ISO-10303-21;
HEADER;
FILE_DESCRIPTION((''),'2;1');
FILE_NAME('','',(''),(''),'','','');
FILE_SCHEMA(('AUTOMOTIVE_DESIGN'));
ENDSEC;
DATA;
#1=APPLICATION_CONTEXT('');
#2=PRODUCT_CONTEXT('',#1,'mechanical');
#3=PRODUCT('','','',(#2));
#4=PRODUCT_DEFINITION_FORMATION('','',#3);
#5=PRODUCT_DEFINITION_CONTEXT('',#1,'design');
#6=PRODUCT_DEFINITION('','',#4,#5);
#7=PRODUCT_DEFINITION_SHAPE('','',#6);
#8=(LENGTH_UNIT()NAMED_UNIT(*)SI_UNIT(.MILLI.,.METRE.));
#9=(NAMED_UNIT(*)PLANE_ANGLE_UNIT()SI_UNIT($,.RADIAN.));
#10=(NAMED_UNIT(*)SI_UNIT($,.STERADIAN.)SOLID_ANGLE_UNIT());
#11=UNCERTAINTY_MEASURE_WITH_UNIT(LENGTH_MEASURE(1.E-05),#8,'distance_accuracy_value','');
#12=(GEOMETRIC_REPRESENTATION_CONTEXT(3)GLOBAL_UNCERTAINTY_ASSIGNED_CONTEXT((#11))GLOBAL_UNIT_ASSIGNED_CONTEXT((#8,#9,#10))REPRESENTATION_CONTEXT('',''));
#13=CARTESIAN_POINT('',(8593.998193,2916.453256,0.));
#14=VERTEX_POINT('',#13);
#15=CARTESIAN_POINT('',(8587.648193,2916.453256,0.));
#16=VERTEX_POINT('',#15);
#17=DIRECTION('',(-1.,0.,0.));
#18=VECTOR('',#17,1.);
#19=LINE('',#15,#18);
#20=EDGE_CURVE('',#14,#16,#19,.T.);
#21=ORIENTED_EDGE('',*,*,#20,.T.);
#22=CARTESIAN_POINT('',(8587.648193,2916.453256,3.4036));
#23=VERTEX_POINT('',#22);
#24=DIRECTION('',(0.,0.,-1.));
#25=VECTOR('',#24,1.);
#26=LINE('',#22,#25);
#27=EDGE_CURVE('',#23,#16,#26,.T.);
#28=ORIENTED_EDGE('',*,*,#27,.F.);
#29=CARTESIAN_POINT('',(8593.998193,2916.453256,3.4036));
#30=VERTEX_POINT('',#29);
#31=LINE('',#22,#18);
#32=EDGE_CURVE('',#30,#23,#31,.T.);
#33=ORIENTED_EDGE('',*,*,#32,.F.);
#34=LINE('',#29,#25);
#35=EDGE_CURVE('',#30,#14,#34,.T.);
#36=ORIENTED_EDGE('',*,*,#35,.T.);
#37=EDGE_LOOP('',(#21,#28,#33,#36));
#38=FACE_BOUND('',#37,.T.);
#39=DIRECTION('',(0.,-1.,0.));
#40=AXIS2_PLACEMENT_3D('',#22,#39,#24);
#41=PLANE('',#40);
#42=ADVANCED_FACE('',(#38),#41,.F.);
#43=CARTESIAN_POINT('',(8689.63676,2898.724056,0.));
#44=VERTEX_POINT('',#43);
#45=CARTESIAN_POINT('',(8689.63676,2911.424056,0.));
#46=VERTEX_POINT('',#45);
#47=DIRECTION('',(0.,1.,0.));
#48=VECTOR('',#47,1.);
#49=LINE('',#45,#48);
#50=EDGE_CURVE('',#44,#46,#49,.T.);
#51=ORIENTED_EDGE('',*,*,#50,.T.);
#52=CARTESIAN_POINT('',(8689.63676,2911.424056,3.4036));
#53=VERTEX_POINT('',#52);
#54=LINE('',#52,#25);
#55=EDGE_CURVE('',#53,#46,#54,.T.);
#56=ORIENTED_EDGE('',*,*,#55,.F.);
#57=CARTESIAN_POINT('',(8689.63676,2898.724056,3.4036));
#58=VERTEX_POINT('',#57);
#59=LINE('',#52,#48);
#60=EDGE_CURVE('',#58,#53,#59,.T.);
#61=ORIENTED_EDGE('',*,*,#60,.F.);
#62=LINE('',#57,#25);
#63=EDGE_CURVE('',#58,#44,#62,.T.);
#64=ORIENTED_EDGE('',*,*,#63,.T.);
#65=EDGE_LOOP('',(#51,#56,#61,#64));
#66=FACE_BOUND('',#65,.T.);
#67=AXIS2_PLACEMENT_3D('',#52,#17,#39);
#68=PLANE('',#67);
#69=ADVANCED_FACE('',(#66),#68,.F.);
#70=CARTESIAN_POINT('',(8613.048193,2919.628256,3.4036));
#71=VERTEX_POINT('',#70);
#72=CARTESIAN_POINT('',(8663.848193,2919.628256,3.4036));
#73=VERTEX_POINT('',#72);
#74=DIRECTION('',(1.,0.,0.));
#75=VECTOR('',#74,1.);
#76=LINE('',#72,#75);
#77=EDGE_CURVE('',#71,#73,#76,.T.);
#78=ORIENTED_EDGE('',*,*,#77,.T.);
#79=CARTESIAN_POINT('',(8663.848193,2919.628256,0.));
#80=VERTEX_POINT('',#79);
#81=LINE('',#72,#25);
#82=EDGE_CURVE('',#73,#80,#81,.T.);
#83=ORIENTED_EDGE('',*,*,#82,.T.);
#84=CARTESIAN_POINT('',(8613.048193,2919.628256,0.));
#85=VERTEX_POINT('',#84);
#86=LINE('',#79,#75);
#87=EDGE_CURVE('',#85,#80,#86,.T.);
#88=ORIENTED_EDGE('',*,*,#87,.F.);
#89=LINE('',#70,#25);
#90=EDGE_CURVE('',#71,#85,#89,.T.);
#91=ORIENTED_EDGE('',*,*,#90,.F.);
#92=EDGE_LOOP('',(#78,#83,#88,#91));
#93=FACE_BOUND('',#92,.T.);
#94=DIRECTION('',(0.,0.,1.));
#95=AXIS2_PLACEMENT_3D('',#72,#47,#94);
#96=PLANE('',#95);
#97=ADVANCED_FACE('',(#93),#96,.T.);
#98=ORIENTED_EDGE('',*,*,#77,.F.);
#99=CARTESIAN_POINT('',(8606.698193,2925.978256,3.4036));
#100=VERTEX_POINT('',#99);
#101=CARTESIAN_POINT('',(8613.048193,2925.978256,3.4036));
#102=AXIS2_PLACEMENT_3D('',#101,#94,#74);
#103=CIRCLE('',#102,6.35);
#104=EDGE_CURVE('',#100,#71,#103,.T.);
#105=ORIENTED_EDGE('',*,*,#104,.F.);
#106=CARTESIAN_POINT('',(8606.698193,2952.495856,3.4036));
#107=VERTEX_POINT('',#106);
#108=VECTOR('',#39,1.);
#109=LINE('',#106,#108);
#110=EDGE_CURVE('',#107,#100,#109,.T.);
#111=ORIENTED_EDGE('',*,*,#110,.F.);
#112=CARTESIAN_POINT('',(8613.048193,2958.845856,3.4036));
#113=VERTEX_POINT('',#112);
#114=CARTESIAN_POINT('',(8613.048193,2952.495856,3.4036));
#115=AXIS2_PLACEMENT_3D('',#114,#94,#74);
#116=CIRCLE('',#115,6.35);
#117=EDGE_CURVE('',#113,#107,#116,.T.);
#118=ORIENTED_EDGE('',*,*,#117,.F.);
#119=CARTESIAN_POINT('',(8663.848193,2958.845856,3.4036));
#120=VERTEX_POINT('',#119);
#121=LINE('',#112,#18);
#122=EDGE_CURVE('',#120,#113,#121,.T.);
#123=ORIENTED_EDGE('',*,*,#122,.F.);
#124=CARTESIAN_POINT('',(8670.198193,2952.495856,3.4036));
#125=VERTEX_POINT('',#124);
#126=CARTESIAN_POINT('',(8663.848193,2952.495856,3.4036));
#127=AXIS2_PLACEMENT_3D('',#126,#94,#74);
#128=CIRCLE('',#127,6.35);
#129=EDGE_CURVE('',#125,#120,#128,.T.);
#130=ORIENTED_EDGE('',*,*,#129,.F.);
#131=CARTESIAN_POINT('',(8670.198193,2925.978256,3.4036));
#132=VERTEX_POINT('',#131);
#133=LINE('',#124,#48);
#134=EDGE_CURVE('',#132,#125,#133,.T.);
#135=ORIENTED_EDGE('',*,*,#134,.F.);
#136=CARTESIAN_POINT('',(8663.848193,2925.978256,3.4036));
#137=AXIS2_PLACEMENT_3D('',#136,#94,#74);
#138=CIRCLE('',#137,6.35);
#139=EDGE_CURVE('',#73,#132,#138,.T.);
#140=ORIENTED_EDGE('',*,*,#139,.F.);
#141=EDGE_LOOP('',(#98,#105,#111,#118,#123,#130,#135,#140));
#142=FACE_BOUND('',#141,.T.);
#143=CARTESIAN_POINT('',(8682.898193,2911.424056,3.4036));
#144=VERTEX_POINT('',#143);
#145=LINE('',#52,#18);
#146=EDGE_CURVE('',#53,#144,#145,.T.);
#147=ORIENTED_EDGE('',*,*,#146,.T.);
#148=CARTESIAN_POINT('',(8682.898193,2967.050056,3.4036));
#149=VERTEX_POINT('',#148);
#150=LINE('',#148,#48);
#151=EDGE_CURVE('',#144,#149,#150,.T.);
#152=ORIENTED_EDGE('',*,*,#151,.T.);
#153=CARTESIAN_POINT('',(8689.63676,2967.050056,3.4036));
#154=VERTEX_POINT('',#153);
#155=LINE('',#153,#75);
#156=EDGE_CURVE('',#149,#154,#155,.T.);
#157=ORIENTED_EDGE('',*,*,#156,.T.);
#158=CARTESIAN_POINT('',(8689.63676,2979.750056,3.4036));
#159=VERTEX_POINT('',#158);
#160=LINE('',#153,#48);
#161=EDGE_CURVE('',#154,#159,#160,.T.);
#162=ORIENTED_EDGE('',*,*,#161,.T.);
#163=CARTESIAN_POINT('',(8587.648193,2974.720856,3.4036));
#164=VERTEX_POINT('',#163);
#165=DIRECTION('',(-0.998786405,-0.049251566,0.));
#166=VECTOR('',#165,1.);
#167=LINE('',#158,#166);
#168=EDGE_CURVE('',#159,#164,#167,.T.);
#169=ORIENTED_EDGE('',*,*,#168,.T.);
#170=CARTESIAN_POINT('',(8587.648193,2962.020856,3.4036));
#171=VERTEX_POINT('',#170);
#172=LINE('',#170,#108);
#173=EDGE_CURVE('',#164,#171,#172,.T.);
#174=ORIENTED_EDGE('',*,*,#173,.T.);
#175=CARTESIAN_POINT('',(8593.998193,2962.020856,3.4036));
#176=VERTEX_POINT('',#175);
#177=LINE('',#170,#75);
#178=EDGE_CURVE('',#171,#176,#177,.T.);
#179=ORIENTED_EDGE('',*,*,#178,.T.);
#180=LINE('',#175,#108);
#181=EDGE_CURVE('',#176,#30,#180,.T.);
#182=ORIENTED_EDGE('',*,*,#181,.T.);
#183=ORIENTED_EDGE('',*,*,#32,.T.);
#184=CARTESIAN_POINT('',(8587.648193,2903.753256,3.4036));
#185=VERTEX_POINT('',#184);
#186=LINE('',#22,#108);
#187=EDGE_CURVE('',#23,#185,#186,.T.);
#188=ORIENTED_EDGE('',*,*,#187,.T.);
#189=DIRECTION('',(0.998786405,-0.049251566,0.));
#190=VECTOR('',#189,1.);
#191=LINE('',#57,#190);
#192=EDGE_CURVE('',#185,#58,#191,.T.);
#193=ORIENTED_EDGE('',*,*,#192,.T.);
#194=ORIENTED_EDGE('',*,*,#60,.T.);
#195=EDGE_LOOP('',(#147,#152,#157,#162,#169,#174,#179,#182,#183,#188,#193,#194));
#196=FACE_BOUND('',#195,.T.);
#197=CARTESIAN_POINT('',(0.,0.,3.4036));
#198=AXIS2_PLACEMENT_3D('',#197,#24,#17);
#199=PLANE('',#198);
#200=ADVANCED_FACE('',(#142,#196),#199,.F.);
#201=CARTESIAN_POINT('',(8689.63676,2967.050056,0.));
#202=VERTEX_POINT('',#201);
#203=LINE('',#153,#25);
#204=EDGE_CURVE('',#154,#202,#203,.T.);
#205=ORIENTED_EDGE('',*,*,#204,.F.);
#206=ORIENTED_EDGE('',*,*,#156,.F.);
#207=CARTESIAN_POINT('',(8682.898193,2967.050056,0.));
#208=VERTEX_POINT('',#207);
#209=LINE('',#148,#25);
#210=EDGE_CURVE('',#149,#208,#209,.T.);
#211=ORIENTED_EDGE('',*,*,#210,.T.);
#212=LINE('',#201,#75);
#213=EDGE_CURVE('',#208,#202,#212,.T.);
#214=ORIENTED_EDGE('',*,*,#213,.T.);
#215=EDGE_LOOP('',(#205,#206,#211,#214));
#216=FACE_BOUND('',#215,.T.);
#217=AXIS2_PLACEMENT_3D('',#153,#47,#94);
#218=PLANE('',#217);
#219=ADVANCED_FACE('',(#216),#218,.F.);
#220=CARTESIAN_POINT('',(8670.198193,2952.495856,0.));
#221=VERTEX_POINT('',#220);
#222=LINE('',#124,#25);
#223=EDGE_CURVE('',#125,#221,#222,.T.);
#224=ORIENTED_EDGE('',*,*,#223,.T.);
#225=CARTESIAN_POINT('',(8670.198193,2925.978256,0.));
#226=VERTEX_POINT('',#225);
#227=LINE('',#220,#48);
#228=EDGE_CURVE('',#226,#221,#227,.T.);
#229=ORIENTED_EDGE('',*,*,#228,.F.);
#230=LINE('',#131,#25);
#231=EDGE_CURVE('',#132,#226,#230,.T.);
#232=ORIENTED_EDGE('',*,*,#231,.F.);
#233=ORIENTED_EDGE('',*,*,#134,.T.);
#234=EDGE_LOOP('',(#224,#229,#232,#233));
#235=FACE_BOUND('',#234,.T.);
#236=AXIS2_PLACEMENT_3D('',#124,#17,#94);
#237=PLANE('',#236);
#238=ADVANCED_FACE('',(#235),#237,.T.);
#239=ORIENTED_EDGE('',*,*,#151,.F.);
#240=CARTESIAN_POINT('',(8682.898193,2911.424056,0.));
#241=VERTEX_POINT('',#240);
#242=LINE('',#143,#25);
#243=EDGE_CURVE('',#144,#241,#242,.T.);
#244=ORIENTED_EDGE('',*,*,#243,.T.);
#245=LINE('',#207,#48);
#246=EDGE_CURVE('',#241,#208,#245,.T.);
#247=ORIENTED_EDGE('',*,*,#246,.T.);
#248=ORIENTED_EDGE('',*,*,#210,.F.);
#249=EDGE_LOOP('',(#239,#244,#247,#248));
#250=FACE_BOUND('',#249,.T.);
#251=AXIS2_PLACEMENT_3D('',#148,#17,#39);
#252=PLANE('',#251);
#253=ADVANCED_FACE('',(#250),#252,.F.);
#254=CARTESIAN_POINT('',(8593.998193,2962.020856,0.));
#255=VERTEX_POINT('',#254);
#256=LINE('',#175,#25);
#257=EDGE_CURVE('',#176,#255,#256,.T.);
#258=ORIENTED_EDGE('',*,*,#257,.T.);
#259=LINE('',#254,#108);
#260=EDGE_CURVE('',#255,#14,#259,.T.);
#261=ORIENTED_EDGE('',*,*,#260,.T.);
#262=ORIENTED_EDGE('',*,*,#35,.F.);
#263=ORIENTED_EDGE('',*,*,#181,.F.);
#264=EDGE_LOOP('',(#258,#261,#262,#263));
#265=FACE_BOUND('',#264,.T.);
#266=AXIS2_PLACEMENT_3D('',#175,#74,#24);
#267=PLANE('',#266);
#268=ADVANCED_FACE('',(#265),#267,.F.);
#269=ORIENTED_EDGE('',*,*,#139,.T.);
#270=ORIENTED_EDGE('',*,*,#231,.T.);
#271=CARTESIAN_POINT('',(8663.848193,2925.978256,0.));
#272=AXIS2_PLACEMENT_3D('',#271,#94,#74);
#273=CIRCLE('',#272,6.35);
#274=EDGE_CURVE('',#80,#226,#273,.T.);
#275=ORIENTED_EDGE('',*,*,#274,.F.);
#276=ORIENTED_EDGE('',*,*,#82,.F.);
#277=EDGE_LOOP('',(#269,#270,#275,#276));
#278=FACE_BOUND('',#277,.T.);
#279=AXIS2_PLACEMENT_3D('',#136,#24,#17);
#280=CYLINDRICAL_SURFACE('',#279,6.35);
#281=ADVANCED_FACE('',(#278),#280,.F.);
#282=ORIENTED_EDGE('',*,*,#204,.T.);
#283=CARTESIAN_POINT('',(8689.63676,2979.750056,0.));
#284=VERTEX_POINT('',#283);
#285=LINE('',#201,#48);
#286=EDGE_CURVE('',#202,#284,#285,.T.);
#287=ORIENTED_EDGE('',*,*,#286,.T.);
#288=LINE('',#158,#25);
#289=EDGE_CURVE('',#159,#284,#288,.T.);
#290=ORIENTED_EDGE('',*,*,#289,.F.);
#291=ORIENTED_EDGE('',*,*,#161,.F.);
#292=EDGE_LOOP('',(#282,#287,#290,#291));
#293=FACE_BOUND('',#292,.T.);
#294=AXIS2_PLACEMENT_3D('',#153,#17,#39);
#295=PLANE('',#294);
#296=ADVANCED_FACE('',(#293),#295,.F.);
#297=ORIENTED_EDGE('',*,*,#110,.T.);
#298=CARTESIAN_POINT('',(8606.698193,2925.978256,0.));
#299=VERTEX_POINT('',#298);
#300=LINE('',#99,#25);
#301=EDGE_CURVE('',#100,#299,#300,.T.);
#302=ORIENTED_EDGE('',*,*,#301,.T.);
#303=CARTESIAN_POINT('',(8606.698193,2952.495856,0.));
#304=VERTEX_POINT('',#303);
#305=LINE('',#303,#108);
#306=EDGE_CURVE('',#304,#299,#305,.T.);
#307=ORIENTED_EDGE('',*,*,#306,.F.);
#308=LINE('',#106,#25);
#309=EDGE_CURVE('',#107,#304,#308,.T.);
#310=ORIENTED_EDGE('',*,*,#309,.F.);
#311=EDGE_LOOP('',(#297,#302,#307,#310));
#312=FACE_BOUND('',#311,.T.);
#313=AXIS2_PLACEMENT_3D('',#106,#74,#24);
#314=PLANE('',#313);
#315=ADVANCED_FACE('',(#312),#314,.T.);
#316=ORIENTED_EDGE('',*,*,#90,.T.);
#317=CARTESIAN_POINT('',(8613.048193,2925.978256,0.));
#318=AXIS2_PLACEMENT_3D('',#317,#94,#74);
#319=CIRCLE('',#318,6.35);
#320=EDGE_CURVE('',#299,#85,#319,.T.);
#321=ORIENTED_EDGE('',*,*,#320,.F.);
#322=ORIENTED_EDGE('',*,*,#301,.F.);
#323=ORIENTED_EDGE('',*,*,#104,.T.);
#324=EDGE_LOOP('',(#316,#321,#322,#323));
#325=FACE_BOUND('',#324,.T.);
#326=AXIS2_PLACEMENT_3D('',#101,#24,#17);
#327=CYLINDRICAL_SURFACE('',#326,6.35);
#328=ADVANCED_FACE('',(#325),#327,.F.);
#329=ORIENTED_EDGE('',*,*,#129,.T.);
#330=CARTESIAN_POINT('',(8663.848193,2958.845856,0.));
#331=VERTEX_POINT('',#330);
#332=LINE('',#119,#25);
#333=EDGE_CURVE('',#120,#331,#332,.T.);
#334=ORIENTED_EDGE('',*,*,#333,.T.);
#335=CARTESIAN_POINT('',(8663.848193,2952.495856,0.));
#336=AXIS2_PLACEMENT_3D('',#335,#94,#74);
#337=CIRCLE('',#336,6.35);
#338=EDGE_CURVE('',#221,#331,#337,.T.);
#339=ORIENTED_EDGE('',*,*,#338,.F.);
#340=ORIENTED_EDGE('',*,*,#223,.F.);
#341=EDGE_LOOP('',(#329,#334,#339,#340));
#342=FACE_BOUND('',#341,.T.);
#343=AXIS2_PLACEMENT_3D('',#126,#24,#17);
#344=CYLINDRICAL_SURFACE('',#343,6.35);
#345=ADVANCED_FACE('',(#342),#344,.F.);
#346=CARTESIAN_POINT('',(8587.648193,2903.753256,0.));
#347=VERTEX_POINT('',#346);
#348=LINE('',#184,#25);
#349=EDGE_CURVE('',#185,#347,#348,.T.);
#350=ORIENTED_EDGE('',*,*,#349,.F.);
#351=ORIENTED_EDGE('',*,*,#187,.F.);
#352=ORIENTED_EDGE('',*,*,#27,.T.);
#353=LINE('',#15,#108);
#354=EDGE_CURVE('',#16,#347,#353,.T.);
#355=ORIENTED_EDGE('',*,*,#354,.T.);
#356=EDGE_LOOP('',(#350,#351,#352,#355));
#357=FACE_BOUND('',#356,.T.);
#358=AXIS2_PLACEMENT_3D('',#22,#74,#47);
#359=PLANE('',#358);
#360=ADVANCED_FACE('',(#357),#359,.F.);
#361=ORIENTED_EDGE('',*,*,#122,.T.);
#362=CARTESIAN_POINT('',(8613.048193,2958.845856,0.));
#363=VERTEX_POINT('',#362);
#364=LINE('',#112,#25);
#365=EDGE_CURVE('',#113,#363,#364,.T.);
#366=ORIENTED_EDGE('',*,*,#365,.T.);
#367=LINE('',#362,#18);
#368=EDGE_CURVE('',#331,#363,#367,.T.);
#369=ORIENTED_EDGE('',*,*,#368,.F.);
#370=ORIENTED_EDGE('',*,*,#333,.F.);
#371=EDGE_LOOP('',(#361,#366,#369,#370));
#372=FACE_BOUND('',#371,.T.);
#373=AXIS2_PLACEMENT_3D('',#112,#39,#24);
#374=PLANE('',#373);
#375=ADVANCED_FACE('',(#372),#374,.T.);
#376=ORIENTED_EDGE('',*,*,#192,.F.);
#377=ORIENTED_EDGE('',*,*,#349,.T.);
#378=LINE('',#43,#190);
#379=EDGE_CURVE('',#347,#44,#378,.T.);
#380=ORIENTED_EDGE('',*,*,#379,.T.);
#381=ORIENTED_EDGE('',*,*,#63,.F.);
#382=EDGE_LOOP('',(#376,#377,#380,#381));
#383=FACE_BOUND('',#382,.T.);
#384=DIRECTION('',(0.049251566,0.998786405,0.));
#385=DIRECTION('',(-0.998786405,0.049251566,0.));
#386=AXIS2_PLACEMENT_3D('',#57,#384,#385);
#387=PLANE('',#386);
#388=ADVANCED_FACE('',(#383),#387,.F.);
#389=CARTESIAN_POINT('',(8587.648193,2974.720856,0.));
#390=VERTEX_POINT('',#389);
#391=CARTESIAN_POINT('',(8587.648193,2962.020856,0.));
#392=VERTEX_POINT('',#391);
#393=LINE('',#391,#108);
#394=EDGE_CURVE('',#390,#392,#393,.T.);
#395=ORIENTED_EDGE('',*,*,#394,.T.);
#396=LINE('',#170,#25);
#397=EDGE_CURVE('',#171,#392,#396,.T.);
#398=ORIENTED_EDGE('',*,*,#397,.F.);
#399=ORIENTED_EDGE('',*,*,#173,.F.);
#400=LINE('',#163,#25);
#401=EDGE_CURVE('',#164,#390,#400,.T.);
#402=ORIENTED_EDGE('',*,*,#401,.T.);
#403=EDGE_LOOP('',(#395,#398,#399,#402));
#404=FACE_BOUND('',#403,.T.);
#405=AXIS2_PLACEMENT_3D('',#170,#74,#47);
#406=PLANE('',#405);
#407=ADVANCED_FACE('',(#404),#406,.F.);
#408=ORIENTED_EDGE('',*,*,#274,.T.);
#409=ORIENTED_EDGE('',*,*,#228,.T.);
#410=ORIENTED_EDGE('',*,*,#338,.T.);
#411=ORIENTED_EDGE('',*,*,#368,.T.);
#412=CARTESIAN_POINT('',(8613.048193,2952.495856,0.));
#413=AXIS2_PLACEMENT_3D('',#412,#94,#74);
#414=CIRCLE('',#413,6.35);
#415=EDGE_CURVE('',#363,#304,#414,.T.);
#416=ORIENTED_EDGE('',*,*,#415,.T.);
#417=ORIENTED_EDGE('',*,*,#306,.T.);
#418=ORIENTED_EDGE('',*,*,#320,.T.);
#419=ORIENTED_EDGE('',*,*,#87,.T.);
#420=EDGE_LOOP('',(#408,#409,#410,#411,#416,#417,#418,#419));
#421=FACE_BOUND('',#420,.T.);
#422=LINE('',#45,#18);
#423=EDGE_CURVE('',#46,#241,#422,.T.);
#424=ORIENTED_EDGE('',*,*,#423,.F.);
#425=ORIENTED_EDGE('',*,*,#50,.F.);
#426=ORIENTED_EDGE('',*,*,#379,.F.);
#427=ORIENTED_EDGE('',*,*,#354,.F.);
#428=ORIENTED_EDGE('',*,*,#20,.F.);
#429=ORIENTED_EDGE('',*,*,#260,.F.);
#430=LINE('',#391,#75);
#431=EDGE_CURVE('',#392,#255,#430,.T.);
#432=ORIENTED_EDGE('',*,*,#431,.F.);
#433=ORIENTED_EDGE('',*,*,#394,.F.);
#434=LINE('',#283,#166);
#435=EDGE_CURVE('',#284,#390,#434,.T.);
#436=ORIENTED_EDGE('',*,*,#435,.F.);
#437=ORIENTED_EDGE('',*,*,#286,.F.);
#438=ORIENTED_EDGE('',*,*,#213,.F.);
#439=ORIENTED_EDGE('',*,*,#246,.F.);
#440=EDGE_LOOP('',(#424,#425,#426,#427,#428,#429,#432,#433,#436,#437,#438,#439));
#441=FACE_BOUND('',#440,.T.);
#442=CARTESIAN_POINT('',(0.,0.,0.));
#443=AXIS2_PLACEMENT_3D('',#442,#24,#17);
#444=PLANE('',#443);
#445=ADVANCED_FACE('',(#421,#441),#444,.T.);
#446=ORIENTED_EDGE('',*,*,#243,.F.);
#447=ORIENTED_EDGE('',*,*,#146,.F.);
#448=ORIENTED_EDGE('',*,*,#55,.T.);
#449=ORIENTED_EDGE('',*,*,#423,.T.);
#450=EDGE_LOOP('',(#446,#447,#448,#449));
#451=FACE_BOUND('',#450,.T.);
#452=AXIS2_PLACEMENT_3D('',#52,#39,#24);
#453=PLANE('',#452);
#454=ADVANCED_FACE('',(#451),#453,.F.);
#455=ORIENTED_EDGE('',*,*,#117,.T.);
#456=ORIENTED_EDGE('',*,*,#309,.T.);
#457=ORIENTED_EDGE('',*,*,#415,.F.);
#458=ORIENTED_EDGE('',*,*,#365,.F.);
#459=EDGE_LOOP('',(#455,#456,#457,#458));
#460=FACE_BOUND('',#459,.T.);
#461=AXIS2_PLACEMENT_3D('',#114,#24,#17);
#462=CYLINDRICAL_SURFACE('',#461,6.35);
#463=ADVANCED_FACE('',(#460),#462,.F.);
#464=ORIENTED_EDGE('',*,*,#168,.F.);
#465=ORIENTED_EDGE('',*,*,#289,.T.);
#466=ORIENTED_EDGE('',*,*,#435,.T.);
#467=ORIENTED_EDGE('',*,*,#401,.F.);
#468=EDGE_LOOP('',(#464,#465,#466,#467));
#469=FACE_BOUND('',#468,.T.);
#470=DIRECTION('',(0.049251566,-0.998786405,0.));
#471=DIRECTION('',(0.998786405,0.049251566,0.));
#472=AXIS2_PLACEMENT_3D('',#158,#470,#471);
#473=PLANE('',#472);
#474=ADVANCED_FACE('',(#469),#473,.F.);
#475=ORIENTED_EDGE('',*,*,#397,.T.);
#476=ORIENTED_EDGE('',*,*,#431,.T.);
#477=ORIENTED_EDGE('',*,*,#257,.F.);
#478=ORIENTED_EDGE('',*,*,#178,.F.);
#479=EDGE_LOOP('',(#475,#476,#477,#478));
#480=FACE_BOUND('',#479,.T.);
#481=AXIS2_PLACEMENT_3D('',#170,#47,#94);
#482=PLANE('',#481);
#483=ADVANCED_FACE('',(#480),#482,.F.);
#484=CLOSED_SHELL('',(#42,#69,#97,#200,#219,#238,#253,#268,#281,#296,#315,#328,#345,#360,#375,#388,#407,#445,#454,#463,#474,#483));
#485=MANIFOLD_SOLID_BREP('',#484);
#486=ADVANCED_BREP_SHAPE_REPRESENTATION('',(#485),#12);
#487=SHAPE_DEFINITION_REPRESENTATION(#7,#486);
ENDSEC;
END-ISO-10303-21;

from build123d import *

# Parameters (mm, degrees)
BOSS_EXTRUDE1_DEPTH = 3.4036


with BuildPart() as part:
    # Sketch1 → Boss-Extrude1 (new body)
    with BuildSketch(Plane.XY):
        Polygon((8689.636759917, 2979.750055989), (8587.64819291, 2974.720855989), (8587.64819291, 2962.020855989), (8593.99819291, 2962.020855989), (8593.99819291, 2916.453255989), (8587.64819291, 2916.453255989), (8587.64819291, 2903.753255989), (8689.636759917, 2898.724055989), (8689.636759917, 2911.424055989), (8682.89819291, 2911.424055989), (8682.89819291, 2967.050055989), (8689.636759917, 2967.050055989), align=None)
        with BuildLine():
            Line((8606.69819291, 2952.495855989), (8606.69819291, 2925.978255989))
            ThreePointArc((8606.69819291, 2925.978255989), (8608.55806485, 2921.488127929), (8613.04819291, 2919.628255989))
            Line((8613.04819291, 2919.628255989), (8663.84819291, 2919.628255989))
            ThreePointArc((8663.84819291, 2919.628255989), (8668.338320971, 2921.488127929), (8670.19819291, 2925.978255989))
            Line((8670.19819291, 2925.978255989), (8670.19819291, 2952.495855989))
            ThreePointArc((8670.19819291, 2952.495855989), (8668.338320971, 2956.98598405), (8663.84819291, 2958.845855989))
            Line((8663.84819291, 2958.845855989), (8613.04819291, 2958.845855989))
            ThreePointArc((8613.04819291, 2958.845855989), (8608.55806485, 2956.98598405), (8606.69819291, 2952.495855989))
        make_face(mode=Mode.SUBTRACT)
    extrude(amount=BOSS_EXTRUDE1_DEPTH)


solid = part.part
